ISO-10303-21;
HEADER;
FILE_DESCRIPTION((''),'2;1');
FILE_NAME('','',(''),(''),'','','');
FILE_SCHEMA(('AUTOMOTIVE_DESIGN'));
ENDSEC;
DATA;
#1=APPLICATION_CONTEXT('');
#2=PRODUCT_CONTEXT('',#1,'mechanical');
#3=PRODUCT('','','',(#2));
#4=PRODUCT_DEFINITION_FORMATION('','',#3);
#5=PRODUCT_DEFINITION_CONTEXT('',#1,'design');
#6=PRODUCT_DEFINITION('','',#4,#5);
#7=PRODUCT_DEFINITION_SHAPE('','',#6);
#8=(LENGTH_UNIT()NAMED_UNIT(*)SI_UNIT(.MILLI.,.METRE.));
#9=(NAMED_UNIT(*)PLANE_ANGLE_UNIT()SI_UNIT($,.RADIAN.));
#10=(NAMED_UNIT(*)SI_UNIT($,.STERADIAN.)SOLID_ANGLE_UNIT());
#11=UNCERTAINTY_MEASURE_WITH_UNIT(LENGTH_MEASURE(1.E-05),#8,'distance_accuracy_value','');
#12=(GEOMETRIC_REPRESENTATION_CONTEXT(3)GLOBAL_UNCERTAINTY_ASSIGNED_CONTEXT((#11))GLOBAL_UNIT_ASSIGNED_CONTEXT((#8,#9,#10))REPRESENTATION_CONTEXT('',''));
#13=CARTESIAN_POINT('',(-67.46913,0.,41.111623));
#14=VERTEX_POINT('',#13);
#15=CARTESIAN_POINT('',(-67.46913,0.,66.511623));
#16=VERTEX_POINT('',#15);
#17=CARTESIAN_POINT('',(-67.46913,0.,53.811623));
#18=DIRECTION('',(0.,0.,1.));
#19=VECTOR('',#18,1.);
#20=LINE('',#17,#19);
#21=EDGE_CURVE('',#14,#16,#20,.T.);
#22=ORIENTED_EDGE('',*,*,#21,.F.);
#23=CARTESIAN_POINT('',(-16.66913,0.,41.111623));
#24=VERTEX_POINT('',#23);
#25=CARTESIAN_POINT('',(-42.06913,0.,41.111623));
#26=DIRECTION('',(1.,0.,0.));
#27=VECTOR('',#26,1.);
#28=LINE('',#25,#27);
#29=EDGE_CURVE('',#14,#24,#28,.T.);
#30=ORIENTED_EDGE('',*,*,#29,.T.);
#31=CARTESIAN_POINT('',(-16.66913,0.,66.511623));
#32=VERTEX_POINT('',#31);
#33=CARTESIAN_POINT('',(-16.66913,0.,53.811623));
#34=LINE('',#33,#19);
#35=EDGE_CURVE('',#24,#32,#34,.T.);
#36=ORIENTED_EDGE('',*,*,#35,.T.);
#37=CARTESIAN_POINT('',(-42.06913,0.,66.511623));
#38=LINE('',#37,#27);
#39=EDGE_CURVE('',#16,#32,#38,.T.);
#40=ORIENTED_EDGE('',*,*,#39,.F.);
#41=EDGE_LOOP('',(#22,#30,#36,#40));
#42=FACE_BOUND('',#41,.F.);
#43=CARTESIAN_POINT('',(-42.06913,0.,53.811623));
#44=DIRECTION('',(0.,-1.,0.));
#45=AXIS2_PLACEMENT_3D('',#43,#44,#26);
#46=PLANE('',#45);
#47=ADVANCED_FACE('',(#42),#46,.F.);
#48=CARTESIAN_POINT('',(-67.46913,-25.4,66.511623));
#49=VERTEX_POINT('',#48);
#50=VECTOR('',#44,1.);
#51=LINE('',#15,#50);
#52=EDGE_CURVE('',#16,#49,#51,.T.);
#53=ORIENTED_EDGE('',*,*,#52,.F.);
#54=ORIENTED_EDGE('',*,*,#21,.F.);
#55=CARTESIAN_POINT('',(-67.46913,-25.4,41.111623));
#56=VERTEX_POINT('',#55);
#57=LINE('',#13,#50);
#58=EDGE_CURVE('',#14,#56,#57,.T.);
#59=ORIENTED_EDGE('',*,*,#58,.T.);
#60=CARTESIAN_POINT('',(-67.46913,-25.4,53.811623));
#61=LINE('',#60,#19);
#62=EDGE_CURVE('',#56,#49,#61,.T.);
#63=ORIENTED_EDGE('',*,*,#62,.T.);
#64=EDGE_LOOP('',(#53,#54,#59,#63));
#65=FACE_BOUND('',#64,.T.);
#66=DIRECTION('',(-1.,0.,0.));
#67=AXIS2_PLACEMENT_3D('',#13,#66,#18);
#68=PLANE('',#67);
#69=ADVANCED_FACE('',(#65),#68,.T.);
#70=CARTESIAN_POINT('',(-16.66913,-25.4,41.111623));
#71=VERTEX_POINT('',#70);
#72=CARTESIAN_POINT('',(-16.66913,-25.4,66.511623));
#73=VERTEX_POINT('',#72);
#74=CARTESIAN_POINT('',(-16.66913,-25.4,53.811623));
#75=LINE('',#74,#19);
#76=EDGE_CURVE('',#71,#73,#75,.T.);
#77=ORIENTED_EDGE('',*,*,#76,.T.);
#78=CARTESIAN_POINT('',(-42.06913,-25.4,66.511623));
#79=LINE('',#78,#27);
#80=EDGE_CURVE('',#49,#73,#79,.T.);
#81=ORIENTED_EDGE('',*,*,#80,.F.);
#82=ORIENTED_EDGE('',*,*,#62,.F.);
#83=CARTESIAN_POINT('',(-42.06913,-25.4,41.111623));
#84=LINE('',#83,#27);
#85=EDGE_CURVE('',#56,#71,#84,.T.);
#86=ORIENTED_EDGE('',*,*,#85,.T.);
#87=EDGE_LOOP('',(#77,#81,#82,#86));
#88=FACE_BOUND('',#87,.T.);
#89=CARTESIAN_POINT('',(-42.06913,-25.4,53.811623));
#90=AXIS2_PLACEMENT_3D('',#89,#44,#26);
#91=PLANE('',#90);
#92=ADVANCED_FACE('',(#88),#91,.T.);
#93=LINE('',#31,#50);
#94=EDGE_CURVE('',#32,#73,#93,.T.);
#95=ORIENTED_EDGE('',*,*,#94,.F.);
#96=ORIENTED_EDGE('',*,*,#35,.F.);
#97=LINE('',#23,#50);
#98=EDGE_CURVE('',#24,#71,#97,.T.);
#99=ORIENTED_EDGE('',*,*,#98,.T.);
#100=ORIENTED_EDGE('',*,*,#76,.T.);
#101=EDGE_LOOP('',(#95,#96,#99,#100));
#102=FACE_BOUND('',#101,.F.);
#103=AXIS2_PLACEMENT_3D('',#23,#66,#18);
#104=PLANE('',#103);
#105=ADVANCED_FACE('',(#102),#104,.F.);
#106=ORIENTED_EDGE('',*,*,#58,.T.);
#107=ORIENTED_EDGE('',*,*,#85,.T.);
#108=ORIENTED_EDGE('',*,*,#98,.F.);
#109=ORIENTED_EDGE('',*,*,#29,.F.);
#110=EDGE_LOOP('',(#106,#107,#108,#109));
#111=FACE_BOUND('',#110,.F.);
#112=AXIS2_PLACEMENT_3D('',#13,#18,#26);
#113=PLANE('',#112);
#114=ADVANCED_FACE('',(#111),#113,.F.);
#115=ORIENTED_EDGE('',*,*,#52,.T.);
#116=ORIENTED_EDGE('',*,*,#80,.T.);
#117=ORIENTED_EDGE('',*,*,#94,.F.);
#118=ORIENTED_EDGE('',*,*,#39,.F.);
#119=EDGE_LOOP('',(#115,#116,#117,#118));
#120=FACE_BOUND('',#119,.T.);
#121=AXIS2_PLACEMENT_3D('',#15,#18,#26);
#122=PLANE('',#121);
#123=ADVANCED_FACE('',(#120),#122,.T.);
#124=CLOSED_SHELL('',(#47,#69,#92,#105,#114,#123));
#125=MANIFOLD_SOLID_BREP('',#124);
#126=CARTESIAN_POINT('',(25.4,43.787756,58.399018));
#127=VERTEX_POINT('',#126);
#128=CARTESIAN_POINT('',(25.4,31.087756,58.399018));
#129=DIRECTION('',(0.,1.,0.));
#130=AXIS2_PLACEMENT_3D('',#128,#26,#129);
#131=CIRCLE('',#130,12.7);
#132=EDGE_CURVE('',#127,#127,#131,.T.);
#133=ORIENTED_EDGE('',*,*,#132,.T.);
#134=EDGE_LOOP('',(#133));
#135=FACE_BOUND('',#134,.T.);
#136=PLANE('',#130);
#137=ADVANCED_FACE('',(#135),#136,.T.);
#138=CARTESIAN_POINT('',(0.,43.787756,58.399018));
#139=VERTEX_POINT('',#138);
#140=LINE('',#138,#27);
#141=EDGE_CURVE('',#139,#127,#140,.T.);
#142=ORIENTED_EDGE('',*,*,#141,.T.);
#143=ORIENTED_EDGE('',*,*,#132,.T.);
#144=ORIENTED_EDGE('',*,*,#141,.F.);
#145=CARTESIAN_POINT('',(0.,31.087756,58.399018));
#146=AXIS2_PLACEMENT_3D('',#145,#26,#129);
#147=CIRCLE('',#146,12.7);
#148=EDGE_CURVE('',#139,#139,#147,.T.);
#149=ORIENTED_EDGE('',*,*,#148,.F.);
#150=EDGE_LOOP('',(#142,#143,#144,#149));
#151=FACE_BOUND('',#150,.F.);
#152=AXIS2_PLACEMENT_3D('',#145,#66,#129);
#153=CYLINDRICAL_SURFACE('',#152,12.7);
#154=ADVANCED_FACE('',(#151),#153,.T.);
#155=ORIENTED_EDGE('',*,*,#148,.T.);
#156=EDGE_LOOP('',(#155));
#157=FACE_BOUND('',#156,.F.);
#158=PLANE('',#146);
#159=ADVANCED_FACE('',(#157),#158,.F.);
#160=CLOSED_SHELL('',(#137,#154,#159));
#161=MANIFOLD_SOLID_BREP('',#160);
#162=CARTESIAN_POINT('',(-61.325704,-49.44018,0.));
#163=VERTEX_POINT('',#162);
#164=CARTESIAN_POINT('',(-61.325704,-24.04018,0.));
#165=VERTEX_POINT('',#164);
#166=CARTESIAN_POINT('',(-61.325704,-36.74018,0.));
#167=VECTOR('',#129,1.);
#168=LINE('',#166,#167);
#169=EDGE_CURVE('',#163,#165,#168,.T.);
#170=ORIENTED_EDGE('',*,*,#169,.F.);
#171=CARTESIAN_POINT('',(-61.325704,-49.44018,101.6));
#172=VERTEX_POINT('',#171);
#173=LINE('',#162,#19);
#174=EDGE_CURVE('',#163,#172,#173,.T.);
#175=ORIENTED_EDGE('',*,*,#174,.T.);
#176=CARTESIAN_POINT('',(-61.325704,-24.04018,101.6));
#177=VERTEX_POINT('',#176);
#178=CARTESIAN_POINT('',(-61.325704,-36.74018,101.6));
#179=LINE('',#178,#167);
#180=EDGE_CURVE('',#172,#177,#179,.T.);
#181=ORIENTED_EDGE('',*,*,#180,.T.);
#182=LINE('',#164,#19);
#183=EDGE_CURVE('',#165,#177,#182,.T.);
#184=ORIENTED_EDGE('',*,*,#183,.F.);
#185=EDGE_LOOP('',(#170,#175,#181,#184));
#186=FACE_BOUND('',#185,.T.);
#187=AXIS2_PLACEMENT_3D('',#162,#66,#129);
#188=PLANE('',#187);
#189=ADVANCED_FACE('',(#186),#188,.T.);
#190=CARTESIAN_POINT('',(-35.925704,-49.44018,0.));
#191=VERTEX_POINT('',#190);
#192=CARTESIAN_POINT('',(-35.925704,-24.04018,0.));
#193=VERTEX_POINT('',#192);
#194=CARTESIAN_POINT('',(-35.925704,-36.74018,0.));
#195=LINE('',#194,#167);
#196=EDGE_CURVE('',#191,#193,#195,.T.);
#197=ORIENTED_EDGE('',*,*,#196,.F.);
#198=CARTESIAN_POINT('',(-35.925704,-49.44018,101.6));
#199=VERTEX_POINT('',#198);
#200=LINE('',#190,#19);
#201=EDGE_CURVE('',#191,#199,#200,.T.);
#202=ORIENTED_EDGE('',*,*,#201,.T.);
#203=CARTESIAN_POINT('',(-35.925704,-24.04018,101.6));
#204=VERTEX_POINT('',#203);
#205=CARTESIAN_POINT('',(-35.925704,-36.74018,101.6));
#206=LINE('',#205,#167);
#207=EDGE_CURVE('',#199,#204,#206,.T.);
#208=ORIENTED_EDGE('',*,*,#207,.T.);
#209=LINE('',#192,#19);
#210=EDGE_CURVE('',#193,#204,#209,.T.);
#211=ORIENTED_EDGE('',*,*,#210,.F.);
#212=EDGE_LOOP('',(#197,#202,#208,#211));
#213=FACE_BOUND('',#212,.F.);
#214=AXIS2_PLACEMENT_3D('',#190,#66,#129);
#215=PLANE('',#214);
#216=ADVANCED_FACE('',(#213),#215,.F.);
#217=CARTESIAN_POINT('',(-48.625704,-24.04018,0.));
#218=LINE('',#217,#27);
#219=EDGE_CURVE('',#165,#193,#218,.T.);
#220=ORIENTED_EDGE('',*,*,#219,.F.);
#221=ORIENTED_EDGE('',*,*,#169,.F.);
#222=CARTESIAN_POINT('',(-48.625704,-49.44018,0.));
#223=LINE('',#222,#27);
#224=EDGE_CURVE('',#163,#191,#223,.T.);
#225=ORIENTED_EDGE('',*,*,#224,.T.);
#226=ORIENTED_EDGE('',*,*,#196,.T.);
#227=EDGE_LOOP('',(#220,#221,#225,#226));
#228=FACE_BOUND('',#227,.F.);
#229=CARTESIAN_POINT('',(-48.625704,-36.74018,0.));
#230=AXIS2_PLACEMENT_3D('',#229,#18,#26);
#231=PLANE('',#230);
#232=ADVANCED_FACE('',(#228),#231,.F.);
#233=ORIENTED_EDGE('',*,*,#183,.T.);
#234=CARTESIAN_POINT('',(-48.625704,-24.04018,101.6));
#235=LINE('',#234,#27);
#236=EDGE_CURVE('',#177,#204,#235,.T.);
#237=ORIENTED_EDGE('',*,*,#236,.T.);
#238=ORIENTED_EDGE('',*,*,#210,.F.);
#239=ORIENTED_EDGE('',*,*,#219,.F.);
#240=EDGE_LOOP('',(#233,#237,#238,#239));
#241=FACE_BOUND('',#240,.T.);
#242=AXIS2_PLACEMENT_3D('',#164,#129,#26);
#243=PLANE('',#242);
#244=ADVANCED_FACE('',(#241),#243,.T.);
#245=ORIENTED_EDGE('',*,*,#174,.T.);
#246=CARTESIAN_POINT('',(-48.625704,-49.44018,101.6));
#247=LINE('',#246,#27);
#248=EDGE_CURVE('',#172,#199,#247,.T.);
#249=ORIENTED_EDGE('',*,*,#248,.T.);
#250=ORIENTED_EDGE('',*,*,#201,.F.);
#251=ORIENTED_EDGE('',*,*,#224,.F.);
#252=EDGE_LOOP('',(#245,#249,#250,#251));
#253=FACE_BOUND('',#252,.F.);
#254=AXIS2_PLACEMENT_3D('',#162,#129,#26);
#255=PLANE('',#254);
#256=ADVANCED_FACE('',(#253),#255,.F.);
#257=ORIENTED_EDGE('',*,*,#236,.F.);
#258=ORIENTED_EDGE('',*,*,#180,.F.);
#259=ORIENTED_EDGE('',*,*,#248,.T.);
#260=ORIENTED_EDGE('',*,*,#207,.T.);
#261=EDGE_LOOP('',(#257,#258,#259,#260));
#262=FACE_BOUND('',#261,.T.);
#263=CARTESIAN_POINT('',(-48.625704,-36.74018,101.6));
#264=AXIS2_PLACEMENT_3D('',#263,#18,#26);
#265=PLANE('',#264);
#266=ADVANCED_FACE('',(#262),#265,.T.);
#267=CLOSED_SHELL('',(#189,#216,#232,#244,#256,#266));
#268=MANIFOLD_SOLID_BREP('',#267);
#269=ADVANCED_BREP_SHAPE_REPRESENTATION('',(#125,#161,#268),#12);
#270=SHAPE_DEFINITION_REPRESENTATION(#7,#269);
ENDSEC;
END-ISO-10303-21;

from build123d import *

# Parameters (mm, degrees)
F0_W     = 50.8
F0_H     = 25.4
F1_DEPTH = 25.4
F2_W     = 25.4
F2_H     = 25.4
F3_DEPTH = 101.6
F4_R     = 12.7
F5_DEPTH = 25.4


with BuildPart() as f1:
    # F0 (on Front) → F1 (new body)
    with BuildSketch(Plane.XZ):
        with Locations((-42.06913, 53.811623)):
            Rectangle(F0_W, F0_H)
    extrude(amount=F1_DEPTH)


with BuildPart() as f3:
    # F2 (on Top) → F3 (new body)
    with BuildSketch(Plane.XY):
        with Locations((-48.625704, -36.74018)):
            Rectangle(F2_W, F2_H)
    extrude(amount=F3_DEPTH)


with BuildPart() as f5:
    # F4 (on Right) → F5 (new body)
    with BuildSketch(Plane.YZ):
        with Locations((31.087756, 58.399018)):
            Circle(F4_R)
    extrude(amount=F5_DEPTH)


solid = Compound([f1.part, f3.part, f5.part])
